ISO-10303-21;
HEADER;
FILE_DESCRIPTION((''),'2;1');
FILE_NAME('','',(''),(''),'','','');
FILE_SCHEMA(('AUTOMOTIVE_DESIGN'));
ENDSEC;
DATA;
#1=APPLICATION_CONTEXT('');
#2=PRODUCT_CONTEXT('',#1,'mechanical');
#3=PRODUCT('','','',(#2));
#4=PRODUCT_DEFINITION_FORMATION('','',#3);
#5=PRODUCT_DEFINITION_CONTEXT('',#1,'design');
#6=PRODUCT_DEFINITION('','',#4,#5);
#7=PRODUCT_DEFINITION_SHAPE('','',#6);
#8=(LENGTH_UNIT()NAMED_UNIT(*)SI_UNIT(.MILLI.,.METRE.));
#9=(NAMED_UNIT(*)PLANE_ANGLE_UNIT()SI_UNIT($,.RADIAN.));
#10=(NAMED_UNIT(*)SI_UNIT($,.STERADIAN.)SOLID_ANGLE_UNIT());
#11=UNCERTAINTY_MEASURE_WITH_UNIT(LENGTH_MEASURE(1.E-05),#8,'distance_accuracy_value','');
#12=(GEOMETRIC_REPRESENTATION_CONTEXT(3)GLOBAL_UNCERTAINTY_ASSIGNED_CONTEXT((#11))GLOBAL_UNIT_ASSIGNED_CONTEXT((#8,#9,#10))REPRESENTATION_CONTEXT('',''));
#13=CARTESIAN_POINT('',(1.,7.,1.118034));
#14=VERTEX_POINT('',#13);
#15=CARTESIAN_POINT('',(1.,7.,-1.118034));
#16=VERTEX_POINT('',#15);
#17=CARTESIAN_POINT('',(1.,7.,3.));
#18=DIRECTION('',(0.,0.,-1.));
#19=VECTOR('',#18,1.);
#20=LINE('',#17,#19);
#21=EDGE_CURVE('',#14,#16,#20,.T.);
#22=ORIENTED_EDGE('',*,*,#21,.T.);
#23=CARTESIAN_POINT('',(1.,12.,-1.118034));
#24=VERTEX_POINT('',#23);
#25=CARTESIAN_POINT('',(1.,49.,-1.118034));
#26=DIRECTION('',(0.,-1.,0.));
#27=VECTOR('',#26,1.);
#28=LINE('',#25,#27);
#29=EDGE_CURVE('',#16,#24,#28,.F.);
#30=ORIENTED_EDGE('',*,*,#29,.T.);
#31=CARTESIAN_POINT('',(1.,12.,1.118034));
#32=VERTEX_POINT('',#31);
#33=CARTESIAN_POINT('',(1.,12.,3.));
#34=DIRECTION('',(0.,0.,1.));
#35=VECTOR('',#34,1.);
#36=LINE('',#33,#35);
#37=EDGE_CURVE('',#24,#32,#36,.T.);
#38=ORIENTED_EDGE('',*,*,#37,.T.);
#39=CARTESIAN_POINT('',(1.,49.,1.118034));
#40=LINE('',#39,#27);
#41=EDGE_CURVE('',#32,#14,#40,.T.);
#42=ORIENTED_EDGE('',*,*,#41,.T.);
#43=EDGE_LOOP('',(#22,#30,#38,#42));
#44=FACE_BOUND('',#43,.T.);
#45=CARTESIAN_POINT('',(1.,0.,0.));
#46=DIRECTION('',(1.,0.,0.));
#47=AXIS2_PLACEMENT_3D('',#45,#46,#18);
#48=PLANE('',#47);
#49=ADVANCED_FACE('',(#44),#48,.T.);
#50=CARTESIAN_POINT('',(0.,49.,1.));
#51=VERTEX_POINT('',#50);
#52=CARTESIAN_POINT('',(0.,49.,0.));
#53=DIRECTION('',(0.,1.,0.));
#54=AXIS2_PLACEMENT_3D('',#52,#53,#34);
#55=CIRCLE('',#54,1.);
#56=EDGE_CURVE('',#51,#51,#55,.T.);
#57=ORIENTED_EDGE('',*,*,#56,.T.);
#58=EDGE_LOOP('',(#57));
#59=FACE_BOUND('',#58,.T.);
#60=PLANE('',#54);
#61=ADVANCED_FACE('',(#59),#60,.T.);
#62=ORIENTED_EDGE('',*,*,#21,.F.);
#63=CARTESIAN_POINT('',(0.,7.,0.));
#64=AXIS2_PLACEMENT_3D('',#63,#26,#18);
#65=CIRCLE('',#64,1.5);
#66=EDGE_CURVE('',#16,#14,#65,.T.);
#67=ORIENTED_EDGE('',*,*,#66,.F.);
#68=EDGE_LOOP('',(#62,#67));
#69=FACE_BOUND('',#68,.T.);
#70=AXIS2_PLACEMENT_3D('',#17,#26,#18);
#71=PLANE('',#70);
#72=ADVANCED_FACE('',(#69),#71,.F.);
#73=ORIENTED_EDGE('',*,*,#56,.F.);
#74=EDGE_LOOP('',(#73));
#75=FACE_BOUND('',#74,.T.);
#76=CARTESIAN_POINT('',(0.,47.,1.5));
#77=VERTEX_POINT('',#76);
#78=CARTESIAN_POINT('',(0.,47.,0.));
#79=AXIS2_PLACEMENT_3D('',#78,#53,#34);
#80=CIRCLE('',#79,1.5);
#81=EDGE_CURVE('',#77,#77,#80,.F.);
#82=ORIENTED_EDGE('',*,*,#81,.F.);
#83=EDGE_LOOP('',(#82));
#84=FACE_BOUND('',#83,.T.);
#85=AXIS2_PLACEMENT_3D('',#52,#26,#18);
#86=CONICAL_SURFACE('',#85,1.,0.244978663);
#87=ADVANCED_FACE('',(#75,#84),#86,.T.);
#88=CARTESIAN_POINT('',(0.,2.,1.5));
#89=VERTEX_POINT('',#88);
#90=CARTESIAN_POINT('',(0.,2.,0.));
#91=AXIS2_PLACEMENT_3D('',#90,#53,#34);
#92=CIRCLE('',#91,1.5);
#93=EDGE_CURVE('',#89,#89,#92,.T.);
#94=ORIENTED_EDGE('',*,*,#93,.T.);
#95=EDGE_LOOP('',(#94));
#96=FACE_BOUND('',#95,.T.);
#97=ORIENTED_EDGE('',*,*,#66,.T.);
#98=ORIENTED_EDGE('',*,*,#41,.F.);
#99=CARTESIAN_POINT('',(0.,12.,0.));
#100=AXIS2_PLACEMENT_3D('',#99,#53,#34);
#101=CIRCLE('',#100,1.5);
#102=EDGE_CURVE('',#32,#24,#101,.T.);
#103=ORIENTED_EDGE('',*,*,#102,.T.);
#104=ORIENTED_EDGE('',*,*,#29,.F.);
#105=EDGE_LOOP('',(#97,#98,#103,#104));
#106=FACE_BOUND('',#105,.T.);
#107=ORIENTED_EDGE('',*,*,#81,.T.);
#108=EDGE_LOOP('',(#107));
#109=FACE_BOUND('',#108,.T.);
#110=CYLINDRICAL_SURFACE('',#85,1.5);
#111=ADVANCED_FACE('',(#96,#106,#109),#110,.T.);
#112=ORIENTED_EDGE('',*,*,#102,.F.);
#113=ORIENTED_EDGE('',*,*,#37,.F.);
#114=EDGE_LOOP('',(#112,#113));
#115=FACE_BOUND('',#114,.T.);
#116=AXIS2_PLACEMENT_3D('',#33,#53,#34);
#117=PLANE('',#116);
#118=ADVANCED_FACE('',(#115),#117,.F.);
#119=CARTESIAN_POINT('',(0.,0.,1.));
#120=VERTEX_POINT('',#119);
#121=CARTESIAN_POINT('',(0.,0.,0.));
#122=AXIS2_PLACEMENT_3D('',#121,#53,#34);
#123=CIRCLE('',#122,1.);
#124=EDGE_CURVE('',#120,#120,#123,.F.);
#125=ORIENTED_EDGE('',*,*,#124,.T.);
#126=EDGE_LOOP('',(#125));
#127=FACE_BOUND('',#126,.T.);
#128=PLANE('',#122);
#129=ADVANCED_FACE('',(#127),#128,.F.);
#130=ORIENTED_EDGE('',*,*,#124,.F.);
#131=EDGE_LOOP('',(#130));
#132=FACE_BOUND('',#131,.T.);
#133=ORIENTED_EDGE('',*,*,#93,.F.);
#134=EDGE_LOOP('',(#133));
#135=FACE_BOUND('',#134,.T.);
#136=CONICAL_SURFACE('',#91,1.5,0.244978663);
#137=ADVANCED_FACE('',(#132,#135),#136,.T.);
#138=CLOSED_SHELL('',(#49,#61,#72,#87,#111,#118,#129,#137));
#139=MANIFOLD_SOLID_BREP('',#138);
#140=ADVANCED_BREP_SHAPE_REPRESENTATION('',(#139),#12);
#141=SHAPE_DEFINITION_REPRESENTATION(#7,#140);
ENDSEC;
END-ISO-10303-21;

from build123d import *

# Parameters (mm, degrees)
SKETCH1_R           = 1.5
BOSS_EXTRUDE1_DEPTH = 49
CHAMFER1_SIZE       = 0.5
CHAMFER1_SIZE2      = 2
CHAMFER2_SIZE       = 2
CHAMFER2_SIZE2      = 0.5
SKETCH2_W           = 6
SKETCH2_H           = 5
CUT_EXTRUDE1_DEPTH  = 0.5


with BuildPart() as part:
    # Sketch1 → Boss-Extrude1 (new body)
    with BuildSketch(Plane(origin=(0, 0, 0), x_dir=(1, 0, 0), z_dir=(0, 1, 0))):
        Circle(SKETCH1_R)
    extrude(amount=BOSS_EXTRUDE1_DEPTH)

    # Chamfer1
    chamfer1_edges = [part.edges().sort_by_distance(p)[0] for p in [
        (-1.5, 0, 0),
    ]]
    chamfer1_side = [part.faces().sort_by_distance(p)[0] for p in [
        (0, 0, 0),
    ]]
    chamfer(chamfer1_edges, length=CHAMFER1_SIZE, length2=CHAMFER1_SIZE2, reference=chamfer1_side[0])

    # Chamfer2
    chamfer2_edges = [part.edges().sort_by_distance(p)[0] for p in [
        (-1.5, 49, 0),
    ]]
    chamfer2_side = [part.faces().sort_by_distance(p)[0] for p in [
        (-1.5, 25.5, 0),
    ]]
    chamfer(chamfer2_edges, length=CHAMFER2_SIZE, length2=CHAMFER2_SIZE2, reference=chamfer2_side[0])

    # Sketch2 → Cut-Extrude1 (cut)
    with BuildSketch(Plane(origin=(1.5, 0, 0), x_dir=(0, 0, -1), z_dir=(1, 0, 0))):
        with Locations((0, 9.5)):
            Rectangle(SKETCH2_W, SKETCH2_H)
    extrude(amount=-CUT_EXTRUDE1_DEPTH, mode=Mode.SUBTRACT)


solid = part.part
